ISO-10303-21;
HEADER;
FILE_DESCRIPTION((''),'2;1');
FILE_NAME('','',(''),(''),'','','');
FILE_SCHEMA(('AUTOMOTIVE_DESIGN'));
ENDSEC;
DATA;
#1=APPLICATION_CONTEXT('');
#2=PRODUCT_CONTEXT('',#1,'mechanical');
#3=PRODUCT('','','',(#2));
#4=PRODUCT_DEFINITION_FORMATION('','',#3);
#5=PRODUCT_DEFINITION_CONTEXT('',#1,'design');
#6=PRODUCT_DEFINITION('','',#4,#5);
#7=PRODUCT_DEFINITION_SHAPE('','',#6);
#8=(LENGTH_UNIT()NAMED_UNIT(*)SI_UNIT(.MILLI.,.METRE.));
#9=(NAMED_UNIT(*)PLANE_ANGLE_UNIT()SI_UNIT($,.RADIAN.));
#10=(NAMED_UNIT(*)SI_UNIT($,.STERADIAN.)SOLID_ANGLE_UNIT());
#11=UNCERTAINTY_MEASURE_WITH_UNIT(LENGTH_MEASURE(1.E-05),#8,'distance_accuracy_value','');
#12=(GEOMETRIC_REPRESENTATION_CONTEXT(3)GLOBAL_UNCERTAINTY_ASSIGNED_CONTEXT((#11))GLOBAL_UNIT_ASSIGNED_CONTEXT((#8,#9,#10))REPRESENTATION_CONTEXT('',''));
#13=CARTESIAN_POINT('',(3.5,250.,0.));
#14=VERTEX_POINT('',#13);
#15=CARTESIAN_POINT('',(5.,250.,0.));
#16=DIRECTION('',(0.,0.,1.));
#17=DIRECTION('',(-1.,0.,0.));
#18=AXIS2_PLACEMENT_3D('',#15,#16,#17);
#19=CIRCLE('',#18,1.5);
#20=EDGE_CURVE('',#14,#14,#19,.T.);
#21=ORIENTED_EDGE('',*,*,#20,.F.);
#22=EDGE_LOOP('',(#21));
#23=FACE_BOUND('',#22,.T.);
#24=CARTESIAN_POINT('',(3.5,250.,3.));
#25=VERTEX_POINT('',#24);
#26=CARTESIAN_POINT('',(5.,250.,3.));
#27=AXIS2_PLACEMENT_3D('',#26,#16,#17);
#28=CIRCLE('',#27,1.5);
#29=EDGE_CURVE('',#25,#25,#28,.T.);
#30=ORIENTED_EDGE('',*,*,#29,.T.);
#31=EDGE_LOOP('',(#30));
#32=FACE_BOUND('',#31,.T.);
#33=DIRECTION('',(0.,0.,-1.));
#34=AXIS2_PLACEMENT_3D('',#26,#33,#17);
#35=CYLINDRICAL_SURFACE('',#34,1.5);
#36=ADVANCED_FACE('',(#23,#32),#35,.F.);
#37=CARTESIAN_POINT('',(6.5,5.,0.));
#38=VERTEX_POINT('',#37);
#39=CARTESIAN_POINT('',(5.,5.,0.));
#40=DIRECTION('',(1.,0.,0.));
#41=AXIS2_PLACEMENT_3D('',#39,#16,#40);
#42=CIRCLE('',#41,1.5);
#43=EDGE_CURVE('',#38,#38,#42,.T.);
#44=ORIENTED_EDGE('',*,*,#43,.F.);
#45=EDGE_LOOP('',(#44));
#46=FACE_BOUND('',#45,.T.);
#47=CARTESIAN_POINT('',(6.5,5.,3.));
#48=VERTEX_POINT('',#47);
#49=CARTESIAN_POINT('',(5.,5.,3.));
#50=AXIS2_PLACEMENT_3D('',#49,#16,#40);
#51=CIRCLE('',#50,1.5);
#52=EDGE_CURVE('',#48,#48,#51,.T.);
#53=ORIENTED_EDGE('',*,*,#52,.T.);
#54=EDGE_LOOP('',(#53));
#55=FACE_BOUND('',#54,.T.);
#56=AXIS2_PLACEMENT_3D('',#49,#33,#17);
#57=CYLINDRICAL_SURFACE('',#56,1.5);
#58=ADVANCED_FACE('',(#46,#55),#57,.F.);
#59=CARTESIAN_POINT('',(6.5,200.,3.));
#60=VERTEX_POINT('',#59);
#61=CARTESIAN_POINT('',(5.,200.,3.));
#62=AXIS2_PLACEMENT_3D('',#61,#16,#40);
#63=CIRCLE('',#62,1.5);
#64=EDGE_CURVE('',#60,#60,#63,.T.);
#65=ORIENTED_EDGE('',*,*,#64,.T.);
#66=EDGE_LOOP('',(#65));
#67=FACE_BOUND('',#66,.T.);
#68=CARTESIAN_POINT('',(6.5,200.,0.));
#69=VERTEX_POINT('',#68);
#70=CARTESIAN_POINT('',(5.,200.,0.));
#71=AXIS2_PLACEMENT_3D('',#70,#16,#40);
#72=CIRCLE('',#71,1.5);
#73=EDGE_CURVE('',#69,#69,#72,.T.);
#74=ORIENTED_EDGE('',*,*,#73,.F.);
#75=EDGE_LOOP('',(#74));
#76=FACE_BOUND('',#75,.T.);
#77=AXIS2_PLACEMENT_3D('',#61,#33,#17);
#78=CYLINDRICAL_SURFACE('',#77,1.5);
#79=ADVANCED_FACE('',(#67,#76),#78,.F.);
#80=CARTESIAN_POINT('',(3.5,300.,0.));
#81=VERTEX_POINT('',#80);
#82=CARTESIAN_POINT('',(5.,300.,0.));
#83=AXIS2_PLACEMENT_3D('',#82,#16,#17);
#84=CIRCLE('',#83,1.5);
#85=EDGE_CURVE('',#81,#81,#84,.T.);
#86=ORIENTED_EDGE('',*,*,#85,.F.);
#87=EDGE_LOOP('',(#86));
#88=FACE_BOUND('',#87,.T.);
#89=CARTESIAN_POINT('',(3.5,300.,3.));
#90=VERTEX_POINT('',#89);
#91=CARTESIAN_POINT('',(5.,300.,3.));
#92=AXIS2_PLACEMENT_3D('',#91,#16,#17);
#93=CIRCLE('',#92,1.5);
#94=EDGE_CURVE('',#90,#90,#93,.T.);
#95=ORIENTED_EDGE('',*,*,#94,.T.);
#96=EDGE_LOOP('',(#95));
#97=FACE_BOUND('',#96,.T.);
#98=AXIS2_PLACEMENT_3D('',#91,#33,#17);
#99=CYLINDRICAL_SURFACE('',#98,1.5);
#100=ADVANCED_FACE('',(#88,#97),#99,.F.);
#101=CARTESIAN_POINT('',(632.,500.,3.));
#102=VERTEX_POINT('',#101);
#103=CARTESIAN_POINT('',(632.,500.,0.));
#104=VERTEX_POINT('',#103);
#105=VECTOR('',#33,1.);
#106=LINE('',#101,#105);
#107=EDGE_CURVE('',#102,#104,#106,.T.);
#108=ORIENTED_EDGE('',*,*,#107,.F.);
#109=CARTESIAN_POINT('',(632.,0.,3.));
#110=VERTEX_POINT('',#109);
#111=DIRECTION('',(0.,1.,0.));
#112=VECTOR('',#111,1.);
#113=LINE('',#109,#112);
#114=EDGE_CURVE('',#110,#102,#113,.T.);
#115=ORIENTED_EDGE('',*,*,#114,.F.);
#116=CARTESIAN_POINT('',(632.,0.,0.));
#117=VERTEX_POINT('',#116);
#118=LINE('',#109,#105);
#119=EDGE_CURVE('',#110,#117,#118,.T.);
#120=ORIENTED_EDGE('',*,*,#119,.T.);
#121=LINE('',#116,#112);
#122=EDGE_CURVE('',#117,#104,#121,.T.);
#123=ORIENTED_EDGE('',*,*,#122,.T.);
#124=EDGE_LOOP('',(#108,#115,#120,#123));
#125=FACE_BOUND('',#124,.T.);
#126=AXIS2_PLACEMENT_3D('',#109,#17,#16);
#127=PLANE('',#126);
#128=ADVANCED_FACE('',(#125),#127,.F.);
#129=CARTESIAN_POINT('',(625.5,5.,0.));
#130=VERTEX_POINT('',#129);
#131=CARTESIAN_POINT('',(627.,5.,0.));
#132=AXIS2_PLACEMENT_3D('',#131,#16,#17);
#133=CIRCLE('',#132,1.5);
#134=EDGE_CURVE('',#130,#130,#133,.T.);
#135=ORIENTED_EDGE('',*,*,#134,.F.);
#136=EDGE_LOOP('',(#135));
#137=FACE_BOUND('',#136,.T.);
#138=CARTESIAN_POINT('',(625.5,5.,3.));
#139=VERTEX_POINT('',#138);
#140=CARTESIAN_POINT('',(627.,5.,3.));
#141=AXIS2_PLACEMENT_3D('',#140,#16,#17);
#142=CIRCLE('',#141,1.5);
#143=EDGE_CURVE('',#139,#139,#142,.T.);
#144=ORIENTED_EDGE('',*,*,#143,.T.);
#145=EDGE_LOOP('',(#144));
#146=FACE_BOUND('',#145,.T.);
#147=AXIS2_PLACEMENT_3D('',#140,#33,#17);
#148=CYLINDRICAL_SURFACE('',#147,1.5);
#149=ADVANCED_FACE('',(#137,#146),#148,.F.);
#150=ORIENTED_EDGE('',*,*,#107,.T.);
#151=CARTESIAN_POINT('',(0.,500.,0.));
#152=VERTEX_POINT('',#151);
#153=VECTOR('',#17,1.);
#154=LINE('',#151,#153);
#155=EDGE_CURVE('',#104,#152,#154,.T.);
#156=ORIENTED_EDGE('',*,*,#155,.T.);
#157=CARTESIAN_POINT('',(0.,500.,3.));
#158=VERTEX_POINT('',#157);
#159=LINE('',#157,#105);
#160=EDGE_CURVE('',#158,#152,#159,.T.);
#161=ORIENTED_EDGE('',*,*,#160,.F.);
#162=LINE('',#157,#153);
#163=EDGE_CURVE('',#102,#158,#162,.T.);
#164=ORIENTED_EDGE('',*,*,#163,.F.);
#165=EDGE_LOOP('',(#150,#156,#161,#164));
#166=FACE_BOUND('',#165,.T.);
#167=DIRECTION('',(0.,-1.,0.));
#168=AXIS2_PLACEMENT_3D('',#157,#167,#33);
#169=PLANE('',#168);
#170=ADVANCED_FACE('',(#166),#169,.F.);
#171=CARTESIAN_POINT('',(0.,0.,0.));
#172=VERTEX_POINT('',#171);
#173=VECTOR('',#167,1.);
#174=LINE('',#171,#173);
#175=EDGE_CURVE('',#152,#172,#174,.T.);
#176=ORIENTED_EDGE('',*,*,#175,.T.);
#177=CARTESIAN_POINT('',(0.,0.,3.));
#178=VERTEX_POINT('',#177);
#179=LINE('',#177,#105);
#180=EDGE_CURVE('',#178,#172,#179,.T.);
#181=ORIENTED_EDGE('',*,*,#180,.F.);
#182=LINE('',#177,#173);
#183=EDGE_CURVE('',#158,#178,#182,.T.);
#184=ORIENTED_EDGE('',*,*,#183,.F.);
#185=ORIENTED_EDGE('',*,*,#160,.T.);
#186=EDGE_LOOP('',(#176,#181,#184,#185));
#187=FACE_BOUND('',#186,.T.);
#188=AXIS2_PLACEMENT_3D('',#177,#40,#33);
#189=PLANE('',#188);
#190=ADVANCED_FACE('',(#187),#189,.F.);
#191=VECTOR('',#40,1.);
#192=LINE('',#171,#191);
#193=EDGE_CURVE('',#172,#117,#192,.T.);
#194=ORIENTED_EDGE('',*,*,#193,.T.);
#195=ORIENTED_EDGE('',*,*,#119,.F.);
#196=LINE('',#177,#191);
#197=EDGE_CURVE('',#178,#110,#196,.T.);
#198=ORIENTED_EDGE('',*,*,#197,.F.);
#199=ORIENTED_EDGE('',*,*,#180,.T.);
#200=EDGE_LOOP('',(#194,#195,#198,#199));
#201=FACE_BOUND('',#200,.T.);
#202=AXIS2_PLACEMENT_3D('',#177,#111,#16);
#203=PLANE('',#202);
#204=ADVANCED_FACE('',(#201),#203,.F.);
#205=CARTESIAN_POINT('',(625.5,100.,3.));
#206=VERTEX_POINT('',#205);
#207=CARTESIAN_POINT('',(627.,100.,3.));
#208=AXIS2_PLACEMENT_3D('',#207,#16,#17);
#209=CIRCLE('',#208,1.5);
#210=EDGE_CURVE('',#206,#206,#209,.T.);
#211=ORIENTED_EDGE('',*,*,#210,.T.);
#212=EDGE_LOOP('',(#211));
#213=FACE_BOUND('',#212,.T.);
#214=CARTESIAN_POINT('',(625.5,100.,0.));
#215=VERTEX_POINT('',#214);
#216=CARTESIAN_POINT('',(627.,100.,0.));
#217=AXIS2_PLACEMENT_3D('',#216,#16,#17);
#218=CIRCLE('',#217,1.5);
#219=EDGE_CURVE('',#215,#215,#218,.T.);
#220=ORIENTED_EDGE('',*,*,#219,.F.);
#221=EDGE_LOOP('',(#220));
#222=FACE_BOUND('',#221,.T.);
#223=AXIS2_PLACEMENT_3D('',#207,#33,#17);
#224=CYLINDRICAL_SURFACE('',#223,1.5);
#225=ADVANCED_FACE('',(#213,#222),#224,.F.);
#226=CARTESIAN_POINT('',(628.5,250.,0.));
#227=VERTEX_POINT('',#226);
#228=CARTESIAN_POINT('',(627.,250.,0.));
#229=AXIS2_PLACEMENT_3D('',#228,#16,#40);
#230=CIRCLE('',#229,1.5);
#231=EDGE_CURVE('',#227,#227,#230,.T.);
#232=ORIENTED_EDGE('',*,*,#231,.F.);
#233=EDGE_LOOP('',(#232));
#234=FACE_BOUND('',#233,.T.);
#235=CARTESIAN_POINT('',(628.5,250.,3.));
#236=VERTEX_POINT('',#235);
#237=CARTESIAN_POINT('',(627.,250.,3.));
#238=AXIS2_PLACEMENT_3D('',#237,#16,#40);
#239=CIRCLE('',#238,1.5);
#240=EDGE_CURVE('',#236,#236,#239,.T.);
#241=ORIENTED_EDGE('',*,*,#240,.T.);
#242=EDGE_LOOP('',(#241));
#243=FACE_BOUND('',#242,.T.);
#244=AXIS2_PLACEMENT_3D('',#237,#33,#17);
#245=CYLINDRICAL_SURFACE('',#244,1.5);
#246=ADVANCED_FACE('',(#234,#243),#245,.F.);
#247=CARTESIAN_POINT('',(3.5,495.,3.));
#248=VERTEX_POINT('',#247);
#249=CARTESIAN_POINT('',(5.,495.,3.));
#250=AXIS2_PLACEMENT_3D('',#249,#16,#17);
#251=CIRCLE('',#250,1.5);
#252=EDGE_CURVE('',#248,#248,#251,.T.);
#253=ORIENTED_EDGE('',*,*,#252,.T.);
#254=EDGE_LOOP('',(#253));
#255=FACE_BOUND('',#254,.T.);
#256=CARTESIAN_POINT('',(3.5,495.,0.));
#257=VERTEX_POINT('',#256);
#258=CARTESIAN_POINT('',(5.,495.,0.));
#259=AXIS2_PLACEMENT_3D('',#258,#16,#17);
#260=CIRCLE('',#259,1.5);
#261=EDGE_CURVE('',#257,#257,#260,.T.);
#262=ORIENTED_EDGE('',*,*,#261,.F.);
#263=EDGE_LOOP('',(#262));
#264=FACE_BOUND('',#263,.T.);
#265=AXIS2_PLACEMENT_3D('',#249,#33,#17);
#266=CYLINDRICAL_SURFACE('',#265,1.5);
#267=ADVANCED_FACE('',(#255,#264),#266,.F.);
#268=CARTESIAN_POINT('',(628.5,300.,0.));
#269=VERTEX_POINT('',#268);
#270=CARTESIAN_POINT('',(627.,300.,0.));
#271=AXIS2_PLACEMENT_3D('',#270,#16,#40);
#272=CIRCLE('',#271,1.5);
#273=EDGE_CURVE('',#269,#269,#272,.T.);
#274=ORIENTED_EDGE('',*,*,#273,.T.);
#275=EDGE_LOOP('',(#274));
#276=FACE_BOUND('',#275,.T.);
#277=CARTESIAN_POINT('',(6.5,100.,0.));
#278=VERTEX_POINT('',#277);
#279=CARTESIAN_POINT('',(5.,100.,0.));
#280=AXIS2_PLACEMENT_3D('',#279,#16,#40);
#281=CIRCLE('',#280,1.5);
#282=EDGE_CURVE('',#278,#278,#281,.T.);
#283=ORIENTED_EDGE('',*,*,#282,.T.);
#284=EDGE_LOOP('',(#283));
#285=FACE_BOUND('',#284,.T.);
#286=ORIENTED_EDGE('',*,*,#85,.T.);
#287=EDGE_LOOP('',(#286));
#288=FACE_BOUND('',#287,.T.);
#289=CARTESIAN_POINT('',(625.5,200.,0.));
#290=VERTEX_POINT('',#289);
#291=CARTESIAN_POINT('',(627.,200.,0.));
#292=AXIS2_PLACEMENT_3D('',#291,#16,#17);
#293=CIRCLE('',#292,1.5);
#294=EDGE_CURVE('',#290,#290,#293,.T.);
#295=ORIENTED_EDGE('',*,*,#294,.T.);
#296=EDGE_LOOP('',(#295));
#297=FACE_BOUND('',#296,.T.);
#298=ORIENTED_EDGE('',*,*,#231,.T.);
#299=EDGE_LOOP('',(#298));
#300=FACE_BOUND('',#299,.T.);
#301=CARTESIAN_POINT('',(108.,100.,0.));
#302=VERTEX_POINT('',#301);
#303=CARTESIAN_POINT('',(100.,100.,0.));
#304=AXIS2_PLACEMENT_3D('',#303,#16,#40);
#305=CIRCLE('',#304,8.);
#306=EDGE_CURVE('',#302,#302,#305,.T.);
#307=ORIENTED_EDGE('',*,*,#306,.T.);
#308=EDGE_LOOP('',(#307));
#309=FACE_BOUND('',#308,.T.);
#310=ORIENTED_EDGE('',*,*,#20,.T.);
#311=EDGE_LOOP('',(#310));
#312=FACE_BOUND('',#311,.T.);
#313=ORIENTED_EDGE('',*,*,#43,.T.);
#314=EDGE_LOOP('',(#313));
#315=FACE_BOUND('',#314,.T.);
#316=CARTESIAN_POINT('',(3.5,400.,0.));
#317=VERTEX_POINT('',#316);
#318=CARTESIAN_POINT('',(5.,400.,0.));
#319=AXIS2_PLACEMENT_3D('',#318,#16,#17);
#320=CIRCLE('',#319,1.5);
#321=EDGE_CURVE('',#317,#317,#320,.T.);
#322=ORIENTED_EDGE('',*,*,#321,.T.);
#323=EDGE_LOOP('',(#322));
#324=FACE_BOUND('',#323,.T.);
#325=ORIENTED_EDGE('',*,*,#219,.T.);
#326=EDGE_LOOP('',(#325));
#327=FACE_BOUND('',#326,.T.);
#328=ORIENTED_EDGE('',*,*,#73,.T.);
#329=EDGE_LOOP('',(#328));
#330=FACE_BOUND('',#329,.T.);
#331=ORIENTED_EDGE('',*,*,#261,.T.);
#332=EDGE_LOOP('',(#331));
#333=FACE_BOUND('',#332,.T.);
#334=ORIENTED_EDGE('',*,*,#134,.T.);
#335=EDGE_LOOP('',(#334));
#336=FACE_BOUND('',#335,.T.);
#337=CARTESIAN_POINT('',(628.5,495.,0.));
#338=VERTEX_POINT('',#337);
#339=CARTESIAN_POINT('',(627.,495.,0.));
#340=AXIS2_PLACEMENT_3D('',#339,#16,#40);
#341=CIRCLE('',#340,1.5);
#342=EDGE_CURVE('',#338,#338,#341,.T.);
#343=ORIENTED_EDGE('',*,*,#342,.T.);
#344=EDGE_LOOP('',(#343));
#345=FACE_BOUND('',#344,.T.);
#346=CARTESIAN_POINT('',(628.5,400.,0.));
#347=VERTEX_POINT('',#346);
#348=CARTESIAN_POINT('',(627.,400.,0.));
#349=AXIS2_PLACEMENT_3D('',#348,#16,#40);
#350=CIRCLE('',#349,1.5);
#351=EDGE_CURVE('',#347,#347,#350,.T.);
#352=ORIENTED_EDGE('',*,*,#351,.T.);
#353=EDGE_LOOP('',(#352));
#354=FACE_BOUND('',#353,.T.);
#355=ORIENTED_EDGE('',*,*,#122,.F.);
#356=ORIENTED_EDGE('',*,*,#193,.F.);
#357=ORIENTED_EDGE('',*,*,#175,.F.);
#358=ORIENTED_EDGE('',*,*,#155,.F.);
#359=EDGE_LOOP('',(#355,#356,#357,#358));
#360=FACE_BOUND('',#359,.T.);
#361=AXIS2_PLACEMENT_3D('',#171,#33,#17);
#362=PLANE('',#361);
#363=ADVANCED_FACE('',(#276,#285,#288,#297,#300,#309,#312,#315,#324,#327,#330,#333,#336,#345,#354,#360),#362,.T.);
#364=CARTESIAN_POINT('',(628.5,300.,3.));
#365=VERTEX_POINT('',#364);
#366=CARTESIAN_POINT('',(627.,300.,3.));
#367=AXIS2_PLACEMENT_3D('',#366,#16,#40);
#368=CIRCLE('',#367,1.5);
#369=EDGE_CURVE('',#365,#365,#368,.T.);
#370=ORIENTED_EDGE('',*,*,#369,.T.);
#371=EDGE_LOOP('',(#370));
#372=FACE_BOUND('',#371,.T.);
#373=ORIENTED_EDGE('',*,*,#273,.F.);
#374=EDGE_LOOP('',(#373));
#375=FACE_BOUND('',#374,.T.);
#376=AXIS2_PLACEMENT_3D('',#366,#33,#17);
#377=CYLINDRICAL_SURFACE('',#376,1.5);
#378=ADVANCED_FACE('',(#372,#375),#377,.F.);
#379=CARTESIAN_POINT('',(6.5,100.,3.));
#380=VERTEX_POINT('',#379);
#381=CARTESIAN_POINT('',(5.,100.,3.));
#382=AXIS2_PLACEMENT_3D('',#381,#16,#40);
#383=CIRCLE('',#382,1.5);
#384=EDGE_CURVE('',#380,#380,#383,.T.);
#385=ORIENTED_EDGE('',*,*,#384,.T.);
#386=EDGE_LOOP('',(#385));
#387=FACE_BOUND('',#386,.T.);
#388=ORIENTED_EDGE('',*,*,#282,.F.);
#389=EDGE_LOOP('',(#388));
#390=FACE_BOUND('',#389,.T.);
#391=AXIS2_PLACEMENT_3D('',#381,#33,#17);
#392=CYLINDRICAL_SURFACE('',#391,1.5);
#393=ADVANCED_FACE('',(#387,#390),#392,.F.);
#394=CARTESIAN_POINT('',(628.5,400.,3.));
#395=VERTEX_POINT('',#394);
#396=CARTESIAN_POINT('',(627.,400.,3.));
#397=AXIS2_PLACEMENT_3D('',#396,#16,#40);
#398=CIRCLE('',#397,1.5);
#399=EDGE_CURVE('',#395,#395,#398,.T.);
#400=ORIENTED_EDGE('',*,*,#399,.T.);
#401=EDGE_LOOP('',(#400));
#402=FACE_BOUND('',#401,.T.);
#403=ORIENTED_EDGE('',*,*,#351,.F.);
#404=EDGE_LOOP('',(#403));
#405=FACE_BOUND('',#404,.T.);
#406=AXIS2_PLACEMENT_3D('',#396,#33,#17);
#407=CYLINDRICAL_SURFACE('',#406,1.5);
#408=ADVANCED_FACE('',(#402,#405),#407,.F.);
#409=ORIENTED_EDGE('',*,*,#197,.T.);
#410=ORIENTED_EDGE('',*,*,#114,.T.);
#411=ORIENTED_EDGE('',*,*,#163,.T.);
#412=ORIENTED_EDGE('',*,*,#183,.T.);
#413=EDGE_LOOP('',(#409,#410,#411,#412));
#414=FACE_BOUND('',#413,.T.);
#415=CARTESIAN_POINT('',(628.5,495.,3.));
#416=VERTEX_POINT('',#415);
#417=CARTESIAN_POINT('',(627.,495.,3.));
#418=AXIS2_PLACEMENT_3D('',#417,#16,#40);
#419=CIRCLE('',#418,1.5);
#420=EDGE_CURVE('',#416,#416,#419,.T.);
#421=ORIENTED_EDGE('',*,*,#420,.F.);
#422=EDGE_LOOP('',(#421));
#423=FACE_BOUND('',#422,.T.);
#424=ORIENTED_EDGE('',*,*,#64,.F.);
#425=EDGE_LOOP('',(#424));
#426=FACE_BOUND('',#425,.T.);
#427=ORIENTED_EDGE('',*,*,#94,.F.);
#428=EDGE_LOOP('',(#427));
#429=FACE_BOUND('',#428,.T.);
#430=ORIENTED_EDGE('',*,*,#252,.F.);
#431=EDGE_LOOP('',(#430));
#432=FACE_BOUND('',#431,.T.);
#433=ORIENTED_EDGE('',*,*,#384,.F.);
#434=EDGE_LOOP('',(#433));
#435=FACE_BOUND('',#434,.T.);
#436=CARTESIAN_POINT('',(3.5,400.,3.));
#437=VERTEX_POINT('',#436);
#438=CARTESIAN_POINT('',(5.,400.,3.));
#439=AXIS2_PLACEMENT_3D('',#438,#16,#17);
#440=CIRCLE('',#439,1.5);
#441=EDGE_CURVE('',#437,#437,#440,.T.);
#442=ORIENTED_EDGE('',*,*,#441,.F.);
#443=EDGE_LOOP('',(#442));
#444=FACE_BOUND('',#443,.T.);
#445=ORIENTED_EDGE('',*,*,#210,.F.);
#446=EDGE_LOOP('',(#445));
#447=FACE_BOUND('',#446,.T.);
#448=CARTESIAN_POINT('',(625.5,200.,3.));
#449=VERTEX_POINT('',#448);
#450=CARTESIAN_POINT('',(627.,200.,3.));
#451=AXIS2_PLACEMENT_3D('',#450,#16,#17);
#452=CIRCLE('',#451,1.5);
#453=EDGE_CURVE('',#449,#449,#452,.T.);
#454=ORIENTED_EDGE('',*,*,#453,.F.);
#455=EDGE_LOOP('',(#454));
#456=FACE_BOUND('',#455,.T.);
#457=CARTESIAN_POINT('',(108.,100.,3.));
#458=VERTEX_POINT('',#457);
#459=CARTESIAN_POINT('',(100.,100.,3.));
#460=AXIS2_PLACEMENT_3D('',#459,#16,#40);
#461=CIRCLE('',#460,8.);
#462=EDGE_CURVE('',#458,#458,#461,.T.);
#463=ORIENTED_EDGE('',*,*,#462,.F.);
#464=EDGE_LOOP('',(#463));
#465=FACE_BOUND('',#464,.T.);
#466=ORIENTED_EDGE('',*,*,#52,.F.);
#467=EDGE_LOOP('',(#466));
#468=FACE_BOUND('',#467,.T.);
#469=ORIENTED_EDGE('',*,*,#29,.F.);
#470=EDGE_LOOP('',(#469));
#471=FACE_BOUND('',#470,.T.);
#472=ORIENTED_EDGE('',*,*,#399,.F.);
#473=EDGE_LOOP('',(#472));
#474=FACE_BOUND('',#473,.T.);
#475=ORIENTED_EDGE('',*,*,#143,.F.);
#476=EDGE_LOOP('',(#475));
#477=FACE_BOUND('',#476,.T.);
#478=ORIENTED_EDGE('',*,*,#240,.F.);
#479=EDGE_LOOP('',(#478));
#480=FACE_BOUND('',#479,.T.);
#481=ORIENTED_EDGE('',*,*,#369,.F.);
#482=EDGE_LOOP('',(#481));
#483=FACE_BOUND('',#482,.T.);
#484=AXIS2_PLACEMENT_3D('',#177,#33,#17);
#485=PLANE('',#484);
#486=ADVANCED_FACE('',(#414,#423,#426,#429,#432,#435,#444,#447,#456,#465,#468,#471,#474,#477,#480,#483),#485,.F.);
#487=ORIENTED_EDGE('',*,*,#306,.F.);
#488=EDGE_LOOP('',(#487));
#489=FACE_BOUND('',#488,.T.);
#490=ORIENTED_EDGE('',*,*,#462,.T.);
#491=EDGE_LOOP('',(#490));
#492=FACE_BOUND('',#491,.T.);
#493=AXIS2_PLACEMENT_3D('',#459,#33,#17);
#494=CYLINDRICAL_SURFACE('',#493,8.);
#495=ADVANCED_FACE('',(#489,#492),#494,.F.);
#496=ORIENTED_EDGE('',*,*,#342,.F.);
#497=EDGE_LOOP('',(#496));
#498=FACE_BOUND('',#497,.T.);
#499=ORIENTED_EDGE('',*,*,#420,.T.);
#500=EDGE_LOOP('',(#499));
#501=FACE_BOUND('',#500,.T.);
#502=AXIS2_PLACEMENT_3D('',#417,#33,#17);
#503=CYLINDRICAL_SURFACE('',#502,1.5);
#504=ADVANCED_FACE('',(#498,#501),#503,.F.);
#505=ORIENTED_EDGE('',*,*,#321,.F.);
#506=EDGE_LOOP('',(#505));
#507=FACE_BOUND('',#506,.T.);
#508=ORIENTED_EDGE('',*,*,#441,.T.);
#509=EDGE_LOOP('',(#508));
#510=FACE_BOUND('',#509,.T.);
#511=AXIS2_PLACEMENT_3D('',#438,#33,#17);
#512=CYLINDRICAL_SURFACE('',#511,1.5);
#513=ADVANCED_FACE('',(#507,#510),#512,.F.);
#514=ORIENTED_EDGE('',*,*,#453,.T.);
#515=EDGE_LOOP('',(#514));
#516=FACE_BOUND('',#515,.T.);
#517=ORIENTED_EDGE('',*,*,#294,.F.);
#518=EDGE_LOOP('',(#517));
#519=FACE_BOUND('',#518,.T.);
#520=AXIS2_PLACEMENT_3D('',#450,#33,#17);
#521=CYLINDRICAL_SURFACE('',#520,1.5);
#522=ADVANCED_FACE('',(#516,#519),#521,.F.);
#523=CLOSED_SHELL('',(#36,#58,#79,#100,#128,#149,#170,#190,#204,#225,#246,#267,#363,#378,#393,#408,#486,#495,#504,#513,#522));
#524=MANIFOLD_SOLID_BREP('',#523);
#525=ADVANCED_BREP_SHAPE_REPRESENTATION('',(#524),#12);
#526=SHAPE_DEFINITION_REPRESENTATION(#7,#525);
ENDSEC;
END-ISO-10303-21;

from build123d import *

# Parameters (mm, degrees)
SKETCH_1_W      = 632
SKETCH_1_H      = 500
SKETCH_1_R      = 1.5
SKETCH_1_R_2    = 8
EXTRUDE_1_DEPTH = 3


with BuildPart() as part:
    # 草图1 → 凸台-拉伸1 (new body)
    with BuildSketch(Plane.XY):
        with Locations((316, 250)):
            Rectangle(SKETCH_1_W, SKETCH_1_H)
        with Locations((627, 250)):
            Circle(SKETCH_1_R, mode=Mode.SUBTRACT)
        with Locations((627, 300)):
            Circle(SKETCH_1_R, mode=Mode.SUBTRACT)
        with Locations((627, 400)):
            Circle(SKETCH_1_R, mode=Mode.SUBTRACT)
        with Locations((627, 495)):
            Circle(SKETCH_1_R, mode=Mode.SUBTRACT)
        with Locations(Location((627, 5, 0), (0, 0, 180))):
            Circle(SKETCH_1_R, mode=Mode.SUBTRACT)
        with Locations(Location((627, 100, 0), (0, 0, 180))):
            Circle(SKETCH_1_R, mode=Mode.SUBTRACT)
        with Locations(Location((627, 200, 0), (0, 0, 180))):
            Circle(SKETCH_1_R, mode=Mode.SUBTRACT)
        with Locations((5, 200)):
            Circle(SKETCH_1_R, mode=Mode.SUBTRACT)
        with Locations((5, 100)):
            Circle(SKETCH_1_R, mode=Mode.SUBTRACT)
        with Locations((5, 5)):
            Circle(SKETCH_1_R, mode=Mode.SUBTRACT)
        with Locations(Location((5, 495, 0), (0, 0, 180))):
            Circle(SKETCH_1_R, mode=Mode.SUBTRACT)
        with Locations(Location((5, 400, 0), (0, 0, 180))):
            Circle(SKETCH_1_R, mode=Mode.SUBTRACT)
        with Locations(Location((5, 300, 0), (0, 0, 180))):
            Circle(SKETCH_1_R, mode=Mode.SUBTRACT)
        with Locations(Location((5, 250, 0), (0, 0, 180))):
            Circle(SKETCH_1_R, mode=Mode.SUBTRACT)
        with Locations((100, 100)):
            Circle(SKETCH_1_R_2, mode=Mode.SUBTRACT)
    extrude(amount=EXTRUDE_1_DEPTH)


solid = part.part
